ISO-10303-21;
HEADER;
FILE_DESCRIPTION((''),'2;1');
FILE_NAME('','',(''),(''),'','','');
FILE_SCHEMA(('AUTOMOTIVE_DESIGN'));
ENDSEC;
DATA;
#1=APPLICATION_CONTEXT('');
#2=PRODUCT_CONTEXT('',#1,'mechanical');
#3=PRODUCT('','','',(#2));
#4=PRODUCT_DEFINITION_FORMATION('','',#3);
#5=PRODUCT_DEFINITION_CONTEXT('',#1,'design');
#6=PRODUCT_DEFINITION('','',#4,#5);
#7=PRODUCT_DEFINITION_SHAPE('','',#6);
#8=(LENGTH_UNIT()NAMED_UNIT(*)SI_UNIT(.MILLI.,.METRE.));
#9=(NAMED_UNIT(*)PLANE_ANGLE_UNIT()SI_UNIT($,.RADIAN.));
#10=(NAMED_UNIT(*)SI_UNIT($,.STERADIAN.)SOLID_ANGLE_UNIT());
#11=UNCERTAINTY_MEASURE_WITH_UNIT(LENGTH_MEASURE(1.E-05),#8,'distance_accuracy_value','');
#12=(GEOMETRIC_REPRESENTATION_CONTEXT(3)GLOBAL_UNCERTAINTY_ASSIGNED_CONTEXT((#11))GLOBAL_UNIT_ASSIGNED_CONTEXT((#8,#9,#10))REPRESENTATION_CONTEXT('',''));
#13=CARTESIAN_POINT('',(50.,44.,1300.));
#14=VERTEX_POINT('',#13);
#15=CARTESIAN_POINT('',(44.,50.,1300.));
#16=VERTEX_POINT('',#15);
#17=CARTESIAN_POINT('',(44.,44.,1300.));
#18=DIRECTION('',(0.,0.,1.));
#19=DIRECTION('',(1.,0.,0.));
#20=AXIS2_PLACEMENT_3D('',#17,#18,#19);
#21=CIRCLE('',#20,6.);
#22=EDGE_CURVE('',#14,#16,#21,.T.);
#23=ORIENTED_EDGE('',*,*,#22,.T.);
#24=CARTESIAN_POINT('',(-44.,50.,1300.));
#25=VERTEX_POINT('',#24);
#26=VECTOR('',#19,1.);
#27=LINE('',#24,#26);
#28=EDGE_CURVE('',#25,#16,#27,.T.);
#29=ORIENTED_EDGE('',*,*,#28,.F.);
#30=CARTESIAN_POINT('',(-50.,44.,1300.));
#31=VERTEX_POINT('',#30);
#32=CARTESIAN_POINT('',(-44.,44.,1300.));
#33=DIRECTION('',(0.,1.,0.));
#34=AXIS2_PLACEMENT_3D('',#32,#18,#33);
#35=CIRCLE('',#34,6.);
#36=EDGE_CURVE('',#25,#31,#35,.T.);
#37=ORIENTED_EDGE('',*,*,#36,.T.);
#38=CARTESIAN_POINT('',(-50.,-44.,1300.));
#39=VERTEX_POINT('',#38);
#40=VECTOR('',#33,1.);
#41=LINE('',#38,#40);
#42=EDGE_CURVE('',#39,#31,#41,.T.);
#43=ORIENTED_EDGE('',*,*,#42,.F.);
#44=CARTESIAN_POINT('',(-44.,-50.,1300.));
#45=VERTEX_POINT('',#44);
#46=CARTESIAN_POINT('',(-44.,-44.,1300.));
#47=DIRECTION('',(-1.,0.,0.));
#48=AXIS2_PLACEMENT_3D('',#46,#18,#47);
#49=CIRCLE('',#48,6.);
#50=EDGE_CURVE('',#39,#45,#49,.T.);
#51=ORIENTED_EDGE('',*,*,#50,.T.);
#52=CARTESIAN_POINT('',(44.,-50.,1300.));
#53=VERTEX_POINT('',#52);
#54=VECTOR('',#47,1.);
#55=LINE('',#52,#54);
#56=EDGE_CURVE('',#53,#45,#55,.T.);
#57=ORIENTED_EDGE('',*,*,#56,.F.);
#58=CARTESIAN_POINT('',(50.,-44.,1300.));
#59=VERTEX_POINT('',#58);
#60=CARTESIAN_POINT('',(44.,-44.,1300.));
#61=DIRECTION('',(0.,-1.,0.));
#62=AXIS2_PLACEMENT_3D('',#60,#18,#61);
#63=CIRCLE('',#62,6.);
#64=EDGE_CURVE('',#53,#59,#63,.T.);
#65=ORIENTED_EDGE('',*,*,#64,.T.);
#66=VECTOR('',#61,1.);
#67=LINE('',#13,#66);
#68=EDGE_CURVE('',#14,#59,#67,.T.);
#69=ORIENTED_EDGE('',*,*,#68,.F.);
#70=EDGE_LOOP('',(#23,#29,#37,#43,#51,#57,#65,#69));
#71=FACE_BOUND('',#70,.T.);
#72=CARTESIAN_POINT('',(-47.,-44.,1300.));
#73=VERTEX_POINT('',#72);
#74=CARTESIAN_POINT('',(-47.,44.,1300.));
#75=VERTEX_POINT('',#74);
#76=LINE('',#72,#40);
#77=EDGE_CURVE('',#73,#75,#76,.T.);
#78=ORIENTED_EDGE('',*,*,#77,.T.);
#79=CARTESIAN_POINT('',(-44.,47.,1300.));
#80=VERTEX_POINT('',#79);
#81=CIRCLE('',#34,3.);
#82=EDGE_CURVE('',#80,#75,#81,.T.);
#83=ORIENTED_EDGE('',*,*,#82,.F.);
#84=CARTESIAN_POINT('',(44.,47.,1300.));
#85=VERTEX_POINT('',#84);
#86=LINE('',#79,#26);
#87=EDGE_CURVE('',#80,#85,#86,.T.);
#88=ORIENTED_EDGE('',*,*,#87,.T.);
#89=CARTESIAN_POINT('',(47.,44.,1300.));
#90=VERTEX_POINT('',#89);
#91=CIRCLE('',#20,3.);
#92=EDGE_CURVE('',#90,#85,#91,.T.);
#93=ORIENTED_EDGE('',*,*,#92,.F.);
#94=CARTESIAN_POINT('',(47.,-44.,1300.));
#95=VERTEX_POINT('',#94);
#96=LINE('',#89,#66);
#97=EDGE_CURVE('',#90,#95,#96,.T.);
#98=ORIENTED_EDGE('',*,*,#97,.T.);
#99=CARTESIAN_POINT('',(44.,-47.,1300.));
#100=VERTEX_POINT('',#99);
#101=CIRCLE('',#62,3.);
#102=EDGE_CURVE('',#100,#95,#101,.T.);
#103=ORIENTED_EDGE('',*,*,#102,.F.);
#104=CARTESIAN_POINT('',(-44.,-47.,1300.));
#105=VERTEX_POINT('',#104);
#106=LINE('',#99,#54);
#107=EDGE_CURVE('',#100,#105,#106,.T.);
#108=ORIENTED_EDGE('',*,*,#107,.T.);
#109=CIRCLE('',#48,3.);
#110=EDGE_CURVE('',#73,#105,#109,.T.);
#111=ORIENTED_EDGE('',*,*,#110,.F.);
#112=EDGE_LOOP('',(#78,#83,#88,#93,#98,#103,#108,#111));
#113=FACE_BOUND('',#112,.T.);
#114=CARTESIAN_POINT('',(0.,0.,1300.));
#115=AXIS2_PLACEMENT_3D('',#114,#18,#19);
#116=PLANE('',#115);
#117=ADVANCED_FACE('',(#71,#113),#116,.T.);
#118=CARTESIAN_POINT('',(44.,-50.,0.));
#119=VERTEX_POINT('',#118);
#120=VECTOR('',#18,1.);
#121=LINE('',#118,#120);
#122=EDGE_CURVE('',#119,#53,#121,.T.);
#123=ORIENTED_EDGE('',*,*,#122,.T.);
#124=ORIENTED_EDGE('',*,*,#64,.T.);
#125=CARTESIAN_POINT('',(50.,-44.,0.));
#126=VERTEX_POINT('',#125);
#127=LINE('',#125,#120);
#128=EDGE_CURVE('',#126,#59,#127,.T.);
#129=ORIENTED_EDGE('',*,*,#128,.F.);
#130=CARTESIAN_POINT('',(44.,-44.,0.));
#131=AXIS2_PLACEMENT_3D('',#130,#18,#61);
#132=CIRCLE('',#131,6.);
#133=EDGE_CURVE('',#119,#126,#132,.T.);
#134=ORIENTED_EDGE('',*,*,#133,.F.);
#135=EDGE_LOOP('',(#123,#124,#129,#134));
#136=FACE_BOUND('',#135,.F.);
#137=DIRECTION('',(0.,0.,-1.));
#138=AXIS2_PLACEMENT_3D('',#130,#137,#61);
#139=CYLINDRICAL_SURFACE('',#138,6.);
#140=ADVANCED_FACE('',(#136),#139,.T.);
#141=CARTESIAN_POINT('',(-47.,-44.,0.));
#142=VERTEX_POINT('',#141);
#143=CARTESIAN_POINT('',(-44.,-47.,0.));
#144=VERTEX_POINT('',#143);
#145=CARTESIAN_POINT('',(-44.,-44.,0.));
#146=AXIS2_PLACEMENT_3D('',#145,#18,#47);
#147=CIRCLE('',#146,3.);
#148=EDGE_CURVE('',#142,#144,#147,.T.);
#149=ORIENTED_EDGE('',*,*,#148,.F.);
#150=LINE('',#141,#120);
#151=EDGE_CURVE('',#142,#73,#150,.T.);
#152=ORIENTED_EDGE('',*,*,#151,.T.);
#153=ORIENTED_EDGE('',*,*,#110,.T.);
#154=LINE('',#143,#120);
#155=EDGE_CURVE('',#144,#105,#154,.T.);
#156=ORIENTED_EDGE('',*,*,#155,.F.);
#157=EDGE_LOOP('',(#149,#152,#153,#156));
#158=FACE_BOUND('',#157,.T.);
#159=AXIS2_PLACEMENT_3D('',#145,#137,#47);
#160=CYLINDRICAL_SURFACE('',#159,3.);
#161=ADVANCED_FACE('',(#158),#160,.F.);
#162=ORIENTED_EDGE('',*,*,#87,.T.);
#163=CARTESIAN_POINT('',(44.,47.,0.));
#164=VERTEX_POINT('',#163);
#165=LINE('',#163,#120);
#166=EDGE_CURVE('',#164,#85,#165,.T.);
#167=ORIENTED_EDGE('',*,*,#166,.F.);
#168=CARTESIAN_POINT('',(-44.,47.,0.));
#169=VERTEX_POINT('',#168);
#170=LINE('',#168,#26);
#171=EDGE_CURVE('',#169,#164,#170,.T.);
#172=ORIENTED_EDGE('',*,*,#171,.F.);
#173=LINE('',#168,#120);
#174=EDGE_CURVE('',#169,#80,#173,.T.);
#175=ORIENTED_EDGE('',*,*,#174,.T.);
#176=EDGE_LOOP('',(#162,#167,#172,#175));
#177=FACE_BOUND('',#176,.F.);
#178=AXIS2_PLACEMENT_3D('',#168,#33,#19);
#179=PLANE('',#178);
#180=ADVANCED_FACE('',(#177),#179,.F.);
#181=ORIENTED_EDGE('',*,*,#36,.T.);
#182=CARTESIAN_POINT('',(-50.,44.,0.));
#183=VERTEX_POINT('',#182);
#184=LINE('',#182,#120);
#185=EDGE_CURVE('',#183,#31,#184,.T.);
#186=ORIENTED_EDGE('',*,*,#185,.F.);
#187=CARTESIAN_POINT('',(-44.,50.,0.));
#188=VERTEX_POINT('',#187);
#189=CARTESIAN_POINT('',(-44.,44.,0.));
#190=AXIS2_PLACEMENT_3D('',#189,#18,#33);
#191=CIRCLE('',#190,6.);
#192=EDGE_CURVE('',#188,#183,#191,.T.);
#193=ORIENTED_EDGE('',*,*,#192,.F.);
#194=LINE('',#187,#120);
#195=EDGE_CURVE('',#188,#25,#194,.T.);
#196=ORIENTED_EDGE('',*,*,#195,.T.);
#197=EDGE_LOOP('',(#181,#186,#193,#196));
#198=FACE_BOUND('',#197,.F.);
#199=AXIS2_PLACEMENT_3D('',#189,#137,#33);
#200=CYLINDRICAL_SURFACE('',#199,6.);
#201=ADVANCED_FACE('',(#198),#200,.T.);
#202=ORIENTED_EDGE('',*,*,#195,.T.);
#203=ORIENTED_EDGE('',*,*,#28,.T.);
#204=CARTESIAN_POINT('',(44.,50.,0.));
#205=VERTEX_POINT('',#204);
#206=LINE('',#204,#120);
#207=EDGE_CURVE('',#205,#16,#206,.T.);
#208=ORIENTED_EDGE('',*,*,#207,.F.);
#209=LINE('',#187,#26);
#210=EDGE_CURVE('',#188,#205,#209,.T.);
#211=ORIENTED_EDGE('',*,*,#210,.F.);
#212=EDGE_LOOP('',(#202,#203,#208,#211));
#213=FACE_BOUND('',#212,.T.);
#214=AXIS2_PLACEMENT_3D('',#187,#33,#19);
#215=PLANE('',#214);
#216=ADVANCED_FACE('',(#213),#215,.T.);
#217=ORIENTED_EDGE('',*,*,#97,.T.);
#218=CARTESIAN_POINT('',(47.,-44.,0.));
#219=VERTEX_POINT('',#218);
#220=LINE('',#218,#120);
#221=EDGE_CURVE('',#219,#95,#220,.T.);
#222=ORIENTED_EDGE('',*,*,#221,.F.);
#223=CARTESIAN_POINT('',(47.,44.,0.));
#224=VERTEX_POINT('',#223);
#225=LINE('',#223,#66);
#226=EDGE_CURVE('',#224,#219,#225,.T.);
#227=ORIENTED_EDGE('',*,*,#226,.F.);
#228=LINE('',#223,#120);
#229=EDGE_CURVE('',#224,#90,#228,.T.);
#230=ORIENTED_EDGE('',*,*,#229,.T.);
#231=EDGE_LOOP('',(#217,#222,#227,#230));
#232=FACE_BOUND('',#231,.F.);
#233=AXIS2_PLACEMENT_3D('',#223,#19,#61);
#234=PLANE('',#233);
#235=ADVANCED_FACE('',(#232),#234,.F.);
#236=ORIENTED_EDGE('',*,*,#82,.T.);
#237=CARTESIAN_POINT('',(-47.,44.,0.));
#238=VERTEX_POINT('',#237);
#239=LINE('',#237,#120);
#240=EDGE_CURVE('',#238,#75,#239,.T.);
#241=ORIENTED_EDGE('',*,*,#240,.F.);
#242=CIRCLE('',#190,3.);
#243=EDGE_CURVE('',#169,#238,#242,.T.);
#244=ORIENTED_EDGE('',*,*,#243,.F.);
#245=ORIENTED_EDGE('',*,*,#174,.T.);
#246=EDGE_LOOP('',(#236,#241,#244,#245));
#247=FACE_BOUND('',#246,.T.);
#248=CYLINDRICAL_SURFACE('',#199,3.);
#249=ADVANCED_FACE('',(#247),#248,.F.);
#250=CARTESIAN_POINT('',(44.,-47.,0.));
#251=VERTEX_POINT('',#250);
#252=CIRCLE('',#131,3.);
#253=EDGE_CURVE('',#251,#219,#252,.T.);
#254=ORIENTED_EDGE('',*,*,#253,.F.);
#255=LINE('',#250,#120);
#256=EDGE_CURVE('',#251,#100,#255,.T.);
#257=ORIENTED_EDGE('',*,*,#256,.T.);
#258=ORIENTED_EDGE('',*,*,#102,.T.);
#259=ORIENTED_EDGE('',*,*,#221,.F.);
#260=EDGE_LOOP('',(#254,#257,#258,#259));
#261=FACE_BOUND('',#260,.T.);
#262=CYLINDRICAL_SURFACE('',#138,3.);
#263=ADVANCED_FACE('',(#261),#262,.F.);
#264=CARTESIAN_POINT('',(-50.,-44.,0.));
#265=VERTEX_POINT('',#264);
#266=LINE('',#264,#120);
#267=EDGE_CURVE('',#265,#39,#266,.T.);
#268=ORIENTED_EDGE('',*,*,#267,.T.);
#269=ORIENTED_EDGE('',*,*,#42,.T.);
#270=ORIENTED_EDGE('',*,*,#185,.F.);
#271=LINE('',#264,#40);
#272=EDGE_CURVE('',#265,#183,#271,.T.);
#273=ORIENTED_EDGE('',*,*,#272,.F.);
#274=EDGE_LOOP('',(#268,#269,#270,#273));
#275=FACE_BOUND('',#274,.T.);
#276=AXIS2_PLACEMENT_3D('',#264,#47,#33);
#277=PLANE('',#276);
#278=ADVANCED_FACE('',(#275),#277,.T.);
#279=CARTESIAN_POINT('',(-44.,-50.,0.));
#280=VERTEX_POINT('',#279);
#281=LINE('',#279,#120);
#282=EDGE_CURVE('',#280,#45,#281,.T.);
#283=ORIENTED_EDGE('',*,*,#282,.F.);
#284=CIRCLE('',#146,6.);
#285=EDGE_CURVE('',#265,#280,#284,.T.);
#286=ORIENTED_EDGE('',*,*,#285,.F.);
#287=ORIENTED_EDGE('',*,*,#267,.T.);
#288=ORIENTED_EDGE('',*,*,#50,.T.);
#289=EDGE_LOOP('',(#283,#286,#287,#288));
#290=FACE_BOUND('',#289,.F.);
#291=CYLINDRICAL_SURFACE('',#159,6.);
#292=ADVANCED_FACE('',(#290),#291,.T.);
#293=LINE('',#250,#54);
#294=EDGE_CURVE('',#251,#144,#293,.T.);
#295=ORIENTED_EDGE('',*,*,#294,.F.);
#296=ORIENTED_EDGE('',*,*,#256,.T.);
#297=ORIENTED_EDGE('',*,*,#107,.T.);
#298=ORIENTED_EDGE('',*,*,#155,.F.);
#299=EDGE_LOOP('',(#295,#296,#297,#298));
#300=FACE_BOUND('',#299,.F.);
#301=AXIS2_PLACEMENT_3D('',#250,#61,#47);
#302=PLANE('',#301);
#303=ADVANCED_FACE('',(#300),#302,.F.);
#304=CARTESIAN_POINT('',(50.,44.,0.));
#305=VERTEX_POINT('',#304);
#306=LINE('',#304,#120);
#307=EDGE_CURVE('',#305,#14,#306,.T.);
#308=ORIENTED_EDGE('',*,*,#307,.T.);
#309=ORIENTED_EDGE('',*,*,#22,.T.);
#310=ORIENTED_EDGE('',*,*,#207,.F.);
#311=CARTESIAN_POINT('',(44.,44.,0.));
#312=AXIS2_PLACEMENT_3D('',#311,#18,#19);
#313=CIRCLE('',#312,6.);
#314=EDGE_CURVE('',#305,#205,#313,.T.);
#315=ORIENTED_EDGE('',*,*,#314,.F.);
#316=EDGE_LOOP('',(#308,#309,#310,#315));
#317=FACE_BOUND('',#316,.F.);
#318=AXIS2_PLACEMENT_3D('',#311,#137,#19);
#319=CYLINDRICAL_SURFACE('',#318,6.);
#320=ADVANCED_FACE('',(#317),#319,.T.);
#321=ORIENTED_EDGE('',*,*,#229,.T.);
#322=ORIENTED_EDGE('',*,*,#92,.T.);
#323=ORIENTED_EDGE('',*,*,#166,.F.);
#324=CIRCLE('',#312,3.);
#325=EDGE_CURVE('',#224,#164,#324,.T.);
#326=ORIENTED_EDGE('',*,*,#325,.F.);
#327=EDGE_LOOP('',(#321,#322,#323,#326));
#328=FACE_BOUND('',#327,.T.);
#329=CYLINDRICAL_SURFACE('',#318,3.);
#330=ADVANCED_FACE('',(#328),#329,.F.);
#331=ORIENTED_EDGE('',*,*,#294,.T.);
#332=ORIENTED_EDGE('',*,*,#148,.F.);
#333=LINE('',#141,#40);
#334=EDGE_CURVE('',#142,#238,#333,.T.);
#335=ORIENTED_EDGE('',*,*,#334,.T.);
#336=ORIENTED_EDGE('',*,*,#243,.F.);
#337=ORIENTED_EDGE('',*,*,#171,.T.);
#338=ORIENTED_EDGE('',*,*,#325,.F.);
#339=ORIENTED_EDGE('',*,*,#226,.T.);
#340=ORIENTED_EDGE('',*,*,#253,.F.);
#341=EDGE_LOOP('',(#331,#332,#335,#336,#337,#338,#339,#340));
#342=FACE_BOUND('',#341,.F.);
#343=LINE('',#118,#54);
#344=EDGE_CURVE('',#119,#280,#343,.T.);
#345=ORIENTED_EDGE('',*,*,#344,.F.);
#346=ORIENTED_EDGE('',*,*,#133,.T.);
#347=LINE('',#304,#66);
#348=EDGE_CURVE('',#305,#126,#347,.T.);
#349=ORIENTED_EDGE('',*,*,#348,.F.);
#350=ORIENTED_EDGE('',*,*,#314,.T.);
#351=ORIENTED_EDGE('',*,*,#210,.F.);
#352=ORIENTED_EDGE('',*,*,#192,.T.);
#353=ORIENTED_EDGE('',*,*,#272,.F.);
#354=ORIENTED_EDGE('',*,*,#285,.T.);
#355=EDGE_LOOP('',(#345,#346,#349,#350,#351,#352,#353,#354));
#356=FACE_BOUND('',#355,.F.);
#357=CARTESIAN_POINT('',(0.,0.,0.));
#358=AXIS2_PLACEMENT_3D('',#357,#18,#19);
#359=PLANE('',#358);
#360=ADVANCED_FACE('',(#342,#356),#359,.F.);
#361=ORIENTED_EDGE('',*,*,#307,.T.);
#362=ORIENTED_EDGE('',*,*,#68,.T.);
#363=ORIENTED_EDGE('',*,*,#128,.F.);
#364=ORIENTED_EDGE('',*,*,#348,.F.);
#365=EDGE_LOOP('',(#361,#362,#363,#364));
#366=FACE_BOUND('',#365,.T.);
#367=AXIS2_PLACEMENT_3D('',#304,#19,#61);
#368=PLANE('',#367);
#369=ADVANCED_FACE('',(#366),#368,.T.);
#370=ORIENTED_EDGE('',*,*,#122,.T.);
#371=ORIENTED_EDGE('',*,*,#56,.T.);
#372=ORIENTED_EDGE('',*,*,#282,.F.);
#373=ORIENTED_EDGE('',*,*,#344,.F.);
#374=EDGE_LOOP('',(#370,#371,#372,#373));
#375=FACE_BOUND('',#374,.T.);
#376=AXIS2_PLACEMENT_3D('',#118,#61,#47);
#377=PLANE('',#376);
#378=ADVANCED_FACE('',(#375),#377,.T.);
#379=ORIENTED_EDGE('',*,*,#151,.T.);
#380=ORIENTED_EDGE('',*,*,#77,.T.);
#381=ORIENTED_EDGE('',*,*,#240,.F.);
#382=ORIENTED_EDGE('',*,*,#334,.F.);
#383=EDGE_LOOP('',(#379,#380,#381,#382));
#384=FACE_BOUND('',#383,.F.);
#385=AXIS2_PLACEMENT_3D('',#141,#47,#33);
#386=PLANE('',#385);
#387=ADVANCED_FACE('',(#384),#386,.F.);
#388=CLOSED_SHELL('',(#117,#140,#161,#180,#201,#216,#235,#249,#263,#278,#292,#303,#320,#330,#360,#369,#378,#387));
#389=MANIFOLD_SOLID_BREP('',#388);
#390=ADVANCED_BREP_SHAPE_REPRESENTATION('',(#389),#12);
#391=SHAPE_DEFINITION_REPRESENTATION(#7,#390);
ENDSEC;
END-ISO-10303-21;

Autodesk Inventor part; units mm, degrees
ref_plane "YZ Plane" through (0, 0, 0) normal (1, 0, 0) x (0, 1, 0)
ref_plane "Start Plane" through (0, 0, 0) normal (0, 0, 1) x (1, 0, 0)
ref_plane "End Plane" through (0, 0, 1300) normal (0, 0, 1) x (1, 0, 0)
sketch "Sketch" plane through (0, 0, 0) normal (0, 0, 1) x (1, 0, 0)
  line L0 (-50, -44) -> (-50, 44)
  line L1 (-44, 50) -> (44, 50)
  line L2 (50, 44) -> (50, -44)
  line L3 (44, -50) -> (-44, -50)
  arc A0 (-50, -44) -> (-44, -50) centre (-44, -44) ccw
  arc A1 (50, 44) -> (44, 50) centre (44, 44) ccw
  arc A2 (-44, 50) -> (-50, 44) centre (-44, 44) ccw
  arc A3 (44, -50) -> (50, -44) centre (44, -44) ccw
  arc A4 (-44, 47) -> (-47, 44) centre (-44, 44) ccw
  line L4 (-44, 47) -> (44, 47)
  arc A5 (47, 44) -> (44, 47) centre (44, 44) ccw
  line L5 (47, 44) -> (47, -44)
  arc A6 (44, -47) -> (47, -44) centre (44, -44) ccw
  line L6 (44, -47) -> (-44, -47)
  arc A7 (-47, -44) -> (-44, -47) centre (-44, -44) ccw
  line L7 (-47, -44) -> (-47, 44)
  line L8 (0, 71.7397) -> (0, -71.7397) construction
  line L9 (-71.7397, 0) -> (71.7397, 0) construction
  dimension "d7" = 6
  dimension "d9" = 100
  dimension "d11" = 100
  dimension "d12" = 3
  dimension "d15" = 50
  dimension "d16" = 50
extrude "Body" add sketch "Sketch" along normal up to surface (1300 mm away) from surface at 0
sketch "Sketch3" plane through (0, 0, 0) normal (0, 0, 1) x (1, 0, 0)
  line L0 (0, 0) -> (10, 0)
ref_plane "Work Plane3" through (0, 0, 0) normal (0, -1, 0) x (1, 0, 0)
sketch "Sketch4" plane through (0, 0, 0) normal (0, -1, 0) x (1, 0, 0)
  line L0 (-2, 0) -> (12, 0) projected
  line L1 (-2, 1300) -> (12, 1300) projected
  dimension "d18" = 1300
equation "\"d7\" = G_IR"
equation "\"d9\" = G_W"
equation "\"d11\" = G_H"
equation "\"d12\" = G_T"
equation "\"d15\" = 0.5 * d9"
equation "\"d16\" = 0.5 * d11"
equation "\"d3\" = G_L"
equation "\"G_W\" = 100"
equation "\"G_H\" = 100"
equation "\"G_T\" = 3"
equation "\"G_IR\" = 6"
equation "\"G_L\" = d18"
equation "\"G_OFFSET_START\" = 0"
equation "\"G_OFFSET_END\" = 0"
properties part number "ISO 10799-2 - 100x100x3 - 1300" material "Steel, Mild"
